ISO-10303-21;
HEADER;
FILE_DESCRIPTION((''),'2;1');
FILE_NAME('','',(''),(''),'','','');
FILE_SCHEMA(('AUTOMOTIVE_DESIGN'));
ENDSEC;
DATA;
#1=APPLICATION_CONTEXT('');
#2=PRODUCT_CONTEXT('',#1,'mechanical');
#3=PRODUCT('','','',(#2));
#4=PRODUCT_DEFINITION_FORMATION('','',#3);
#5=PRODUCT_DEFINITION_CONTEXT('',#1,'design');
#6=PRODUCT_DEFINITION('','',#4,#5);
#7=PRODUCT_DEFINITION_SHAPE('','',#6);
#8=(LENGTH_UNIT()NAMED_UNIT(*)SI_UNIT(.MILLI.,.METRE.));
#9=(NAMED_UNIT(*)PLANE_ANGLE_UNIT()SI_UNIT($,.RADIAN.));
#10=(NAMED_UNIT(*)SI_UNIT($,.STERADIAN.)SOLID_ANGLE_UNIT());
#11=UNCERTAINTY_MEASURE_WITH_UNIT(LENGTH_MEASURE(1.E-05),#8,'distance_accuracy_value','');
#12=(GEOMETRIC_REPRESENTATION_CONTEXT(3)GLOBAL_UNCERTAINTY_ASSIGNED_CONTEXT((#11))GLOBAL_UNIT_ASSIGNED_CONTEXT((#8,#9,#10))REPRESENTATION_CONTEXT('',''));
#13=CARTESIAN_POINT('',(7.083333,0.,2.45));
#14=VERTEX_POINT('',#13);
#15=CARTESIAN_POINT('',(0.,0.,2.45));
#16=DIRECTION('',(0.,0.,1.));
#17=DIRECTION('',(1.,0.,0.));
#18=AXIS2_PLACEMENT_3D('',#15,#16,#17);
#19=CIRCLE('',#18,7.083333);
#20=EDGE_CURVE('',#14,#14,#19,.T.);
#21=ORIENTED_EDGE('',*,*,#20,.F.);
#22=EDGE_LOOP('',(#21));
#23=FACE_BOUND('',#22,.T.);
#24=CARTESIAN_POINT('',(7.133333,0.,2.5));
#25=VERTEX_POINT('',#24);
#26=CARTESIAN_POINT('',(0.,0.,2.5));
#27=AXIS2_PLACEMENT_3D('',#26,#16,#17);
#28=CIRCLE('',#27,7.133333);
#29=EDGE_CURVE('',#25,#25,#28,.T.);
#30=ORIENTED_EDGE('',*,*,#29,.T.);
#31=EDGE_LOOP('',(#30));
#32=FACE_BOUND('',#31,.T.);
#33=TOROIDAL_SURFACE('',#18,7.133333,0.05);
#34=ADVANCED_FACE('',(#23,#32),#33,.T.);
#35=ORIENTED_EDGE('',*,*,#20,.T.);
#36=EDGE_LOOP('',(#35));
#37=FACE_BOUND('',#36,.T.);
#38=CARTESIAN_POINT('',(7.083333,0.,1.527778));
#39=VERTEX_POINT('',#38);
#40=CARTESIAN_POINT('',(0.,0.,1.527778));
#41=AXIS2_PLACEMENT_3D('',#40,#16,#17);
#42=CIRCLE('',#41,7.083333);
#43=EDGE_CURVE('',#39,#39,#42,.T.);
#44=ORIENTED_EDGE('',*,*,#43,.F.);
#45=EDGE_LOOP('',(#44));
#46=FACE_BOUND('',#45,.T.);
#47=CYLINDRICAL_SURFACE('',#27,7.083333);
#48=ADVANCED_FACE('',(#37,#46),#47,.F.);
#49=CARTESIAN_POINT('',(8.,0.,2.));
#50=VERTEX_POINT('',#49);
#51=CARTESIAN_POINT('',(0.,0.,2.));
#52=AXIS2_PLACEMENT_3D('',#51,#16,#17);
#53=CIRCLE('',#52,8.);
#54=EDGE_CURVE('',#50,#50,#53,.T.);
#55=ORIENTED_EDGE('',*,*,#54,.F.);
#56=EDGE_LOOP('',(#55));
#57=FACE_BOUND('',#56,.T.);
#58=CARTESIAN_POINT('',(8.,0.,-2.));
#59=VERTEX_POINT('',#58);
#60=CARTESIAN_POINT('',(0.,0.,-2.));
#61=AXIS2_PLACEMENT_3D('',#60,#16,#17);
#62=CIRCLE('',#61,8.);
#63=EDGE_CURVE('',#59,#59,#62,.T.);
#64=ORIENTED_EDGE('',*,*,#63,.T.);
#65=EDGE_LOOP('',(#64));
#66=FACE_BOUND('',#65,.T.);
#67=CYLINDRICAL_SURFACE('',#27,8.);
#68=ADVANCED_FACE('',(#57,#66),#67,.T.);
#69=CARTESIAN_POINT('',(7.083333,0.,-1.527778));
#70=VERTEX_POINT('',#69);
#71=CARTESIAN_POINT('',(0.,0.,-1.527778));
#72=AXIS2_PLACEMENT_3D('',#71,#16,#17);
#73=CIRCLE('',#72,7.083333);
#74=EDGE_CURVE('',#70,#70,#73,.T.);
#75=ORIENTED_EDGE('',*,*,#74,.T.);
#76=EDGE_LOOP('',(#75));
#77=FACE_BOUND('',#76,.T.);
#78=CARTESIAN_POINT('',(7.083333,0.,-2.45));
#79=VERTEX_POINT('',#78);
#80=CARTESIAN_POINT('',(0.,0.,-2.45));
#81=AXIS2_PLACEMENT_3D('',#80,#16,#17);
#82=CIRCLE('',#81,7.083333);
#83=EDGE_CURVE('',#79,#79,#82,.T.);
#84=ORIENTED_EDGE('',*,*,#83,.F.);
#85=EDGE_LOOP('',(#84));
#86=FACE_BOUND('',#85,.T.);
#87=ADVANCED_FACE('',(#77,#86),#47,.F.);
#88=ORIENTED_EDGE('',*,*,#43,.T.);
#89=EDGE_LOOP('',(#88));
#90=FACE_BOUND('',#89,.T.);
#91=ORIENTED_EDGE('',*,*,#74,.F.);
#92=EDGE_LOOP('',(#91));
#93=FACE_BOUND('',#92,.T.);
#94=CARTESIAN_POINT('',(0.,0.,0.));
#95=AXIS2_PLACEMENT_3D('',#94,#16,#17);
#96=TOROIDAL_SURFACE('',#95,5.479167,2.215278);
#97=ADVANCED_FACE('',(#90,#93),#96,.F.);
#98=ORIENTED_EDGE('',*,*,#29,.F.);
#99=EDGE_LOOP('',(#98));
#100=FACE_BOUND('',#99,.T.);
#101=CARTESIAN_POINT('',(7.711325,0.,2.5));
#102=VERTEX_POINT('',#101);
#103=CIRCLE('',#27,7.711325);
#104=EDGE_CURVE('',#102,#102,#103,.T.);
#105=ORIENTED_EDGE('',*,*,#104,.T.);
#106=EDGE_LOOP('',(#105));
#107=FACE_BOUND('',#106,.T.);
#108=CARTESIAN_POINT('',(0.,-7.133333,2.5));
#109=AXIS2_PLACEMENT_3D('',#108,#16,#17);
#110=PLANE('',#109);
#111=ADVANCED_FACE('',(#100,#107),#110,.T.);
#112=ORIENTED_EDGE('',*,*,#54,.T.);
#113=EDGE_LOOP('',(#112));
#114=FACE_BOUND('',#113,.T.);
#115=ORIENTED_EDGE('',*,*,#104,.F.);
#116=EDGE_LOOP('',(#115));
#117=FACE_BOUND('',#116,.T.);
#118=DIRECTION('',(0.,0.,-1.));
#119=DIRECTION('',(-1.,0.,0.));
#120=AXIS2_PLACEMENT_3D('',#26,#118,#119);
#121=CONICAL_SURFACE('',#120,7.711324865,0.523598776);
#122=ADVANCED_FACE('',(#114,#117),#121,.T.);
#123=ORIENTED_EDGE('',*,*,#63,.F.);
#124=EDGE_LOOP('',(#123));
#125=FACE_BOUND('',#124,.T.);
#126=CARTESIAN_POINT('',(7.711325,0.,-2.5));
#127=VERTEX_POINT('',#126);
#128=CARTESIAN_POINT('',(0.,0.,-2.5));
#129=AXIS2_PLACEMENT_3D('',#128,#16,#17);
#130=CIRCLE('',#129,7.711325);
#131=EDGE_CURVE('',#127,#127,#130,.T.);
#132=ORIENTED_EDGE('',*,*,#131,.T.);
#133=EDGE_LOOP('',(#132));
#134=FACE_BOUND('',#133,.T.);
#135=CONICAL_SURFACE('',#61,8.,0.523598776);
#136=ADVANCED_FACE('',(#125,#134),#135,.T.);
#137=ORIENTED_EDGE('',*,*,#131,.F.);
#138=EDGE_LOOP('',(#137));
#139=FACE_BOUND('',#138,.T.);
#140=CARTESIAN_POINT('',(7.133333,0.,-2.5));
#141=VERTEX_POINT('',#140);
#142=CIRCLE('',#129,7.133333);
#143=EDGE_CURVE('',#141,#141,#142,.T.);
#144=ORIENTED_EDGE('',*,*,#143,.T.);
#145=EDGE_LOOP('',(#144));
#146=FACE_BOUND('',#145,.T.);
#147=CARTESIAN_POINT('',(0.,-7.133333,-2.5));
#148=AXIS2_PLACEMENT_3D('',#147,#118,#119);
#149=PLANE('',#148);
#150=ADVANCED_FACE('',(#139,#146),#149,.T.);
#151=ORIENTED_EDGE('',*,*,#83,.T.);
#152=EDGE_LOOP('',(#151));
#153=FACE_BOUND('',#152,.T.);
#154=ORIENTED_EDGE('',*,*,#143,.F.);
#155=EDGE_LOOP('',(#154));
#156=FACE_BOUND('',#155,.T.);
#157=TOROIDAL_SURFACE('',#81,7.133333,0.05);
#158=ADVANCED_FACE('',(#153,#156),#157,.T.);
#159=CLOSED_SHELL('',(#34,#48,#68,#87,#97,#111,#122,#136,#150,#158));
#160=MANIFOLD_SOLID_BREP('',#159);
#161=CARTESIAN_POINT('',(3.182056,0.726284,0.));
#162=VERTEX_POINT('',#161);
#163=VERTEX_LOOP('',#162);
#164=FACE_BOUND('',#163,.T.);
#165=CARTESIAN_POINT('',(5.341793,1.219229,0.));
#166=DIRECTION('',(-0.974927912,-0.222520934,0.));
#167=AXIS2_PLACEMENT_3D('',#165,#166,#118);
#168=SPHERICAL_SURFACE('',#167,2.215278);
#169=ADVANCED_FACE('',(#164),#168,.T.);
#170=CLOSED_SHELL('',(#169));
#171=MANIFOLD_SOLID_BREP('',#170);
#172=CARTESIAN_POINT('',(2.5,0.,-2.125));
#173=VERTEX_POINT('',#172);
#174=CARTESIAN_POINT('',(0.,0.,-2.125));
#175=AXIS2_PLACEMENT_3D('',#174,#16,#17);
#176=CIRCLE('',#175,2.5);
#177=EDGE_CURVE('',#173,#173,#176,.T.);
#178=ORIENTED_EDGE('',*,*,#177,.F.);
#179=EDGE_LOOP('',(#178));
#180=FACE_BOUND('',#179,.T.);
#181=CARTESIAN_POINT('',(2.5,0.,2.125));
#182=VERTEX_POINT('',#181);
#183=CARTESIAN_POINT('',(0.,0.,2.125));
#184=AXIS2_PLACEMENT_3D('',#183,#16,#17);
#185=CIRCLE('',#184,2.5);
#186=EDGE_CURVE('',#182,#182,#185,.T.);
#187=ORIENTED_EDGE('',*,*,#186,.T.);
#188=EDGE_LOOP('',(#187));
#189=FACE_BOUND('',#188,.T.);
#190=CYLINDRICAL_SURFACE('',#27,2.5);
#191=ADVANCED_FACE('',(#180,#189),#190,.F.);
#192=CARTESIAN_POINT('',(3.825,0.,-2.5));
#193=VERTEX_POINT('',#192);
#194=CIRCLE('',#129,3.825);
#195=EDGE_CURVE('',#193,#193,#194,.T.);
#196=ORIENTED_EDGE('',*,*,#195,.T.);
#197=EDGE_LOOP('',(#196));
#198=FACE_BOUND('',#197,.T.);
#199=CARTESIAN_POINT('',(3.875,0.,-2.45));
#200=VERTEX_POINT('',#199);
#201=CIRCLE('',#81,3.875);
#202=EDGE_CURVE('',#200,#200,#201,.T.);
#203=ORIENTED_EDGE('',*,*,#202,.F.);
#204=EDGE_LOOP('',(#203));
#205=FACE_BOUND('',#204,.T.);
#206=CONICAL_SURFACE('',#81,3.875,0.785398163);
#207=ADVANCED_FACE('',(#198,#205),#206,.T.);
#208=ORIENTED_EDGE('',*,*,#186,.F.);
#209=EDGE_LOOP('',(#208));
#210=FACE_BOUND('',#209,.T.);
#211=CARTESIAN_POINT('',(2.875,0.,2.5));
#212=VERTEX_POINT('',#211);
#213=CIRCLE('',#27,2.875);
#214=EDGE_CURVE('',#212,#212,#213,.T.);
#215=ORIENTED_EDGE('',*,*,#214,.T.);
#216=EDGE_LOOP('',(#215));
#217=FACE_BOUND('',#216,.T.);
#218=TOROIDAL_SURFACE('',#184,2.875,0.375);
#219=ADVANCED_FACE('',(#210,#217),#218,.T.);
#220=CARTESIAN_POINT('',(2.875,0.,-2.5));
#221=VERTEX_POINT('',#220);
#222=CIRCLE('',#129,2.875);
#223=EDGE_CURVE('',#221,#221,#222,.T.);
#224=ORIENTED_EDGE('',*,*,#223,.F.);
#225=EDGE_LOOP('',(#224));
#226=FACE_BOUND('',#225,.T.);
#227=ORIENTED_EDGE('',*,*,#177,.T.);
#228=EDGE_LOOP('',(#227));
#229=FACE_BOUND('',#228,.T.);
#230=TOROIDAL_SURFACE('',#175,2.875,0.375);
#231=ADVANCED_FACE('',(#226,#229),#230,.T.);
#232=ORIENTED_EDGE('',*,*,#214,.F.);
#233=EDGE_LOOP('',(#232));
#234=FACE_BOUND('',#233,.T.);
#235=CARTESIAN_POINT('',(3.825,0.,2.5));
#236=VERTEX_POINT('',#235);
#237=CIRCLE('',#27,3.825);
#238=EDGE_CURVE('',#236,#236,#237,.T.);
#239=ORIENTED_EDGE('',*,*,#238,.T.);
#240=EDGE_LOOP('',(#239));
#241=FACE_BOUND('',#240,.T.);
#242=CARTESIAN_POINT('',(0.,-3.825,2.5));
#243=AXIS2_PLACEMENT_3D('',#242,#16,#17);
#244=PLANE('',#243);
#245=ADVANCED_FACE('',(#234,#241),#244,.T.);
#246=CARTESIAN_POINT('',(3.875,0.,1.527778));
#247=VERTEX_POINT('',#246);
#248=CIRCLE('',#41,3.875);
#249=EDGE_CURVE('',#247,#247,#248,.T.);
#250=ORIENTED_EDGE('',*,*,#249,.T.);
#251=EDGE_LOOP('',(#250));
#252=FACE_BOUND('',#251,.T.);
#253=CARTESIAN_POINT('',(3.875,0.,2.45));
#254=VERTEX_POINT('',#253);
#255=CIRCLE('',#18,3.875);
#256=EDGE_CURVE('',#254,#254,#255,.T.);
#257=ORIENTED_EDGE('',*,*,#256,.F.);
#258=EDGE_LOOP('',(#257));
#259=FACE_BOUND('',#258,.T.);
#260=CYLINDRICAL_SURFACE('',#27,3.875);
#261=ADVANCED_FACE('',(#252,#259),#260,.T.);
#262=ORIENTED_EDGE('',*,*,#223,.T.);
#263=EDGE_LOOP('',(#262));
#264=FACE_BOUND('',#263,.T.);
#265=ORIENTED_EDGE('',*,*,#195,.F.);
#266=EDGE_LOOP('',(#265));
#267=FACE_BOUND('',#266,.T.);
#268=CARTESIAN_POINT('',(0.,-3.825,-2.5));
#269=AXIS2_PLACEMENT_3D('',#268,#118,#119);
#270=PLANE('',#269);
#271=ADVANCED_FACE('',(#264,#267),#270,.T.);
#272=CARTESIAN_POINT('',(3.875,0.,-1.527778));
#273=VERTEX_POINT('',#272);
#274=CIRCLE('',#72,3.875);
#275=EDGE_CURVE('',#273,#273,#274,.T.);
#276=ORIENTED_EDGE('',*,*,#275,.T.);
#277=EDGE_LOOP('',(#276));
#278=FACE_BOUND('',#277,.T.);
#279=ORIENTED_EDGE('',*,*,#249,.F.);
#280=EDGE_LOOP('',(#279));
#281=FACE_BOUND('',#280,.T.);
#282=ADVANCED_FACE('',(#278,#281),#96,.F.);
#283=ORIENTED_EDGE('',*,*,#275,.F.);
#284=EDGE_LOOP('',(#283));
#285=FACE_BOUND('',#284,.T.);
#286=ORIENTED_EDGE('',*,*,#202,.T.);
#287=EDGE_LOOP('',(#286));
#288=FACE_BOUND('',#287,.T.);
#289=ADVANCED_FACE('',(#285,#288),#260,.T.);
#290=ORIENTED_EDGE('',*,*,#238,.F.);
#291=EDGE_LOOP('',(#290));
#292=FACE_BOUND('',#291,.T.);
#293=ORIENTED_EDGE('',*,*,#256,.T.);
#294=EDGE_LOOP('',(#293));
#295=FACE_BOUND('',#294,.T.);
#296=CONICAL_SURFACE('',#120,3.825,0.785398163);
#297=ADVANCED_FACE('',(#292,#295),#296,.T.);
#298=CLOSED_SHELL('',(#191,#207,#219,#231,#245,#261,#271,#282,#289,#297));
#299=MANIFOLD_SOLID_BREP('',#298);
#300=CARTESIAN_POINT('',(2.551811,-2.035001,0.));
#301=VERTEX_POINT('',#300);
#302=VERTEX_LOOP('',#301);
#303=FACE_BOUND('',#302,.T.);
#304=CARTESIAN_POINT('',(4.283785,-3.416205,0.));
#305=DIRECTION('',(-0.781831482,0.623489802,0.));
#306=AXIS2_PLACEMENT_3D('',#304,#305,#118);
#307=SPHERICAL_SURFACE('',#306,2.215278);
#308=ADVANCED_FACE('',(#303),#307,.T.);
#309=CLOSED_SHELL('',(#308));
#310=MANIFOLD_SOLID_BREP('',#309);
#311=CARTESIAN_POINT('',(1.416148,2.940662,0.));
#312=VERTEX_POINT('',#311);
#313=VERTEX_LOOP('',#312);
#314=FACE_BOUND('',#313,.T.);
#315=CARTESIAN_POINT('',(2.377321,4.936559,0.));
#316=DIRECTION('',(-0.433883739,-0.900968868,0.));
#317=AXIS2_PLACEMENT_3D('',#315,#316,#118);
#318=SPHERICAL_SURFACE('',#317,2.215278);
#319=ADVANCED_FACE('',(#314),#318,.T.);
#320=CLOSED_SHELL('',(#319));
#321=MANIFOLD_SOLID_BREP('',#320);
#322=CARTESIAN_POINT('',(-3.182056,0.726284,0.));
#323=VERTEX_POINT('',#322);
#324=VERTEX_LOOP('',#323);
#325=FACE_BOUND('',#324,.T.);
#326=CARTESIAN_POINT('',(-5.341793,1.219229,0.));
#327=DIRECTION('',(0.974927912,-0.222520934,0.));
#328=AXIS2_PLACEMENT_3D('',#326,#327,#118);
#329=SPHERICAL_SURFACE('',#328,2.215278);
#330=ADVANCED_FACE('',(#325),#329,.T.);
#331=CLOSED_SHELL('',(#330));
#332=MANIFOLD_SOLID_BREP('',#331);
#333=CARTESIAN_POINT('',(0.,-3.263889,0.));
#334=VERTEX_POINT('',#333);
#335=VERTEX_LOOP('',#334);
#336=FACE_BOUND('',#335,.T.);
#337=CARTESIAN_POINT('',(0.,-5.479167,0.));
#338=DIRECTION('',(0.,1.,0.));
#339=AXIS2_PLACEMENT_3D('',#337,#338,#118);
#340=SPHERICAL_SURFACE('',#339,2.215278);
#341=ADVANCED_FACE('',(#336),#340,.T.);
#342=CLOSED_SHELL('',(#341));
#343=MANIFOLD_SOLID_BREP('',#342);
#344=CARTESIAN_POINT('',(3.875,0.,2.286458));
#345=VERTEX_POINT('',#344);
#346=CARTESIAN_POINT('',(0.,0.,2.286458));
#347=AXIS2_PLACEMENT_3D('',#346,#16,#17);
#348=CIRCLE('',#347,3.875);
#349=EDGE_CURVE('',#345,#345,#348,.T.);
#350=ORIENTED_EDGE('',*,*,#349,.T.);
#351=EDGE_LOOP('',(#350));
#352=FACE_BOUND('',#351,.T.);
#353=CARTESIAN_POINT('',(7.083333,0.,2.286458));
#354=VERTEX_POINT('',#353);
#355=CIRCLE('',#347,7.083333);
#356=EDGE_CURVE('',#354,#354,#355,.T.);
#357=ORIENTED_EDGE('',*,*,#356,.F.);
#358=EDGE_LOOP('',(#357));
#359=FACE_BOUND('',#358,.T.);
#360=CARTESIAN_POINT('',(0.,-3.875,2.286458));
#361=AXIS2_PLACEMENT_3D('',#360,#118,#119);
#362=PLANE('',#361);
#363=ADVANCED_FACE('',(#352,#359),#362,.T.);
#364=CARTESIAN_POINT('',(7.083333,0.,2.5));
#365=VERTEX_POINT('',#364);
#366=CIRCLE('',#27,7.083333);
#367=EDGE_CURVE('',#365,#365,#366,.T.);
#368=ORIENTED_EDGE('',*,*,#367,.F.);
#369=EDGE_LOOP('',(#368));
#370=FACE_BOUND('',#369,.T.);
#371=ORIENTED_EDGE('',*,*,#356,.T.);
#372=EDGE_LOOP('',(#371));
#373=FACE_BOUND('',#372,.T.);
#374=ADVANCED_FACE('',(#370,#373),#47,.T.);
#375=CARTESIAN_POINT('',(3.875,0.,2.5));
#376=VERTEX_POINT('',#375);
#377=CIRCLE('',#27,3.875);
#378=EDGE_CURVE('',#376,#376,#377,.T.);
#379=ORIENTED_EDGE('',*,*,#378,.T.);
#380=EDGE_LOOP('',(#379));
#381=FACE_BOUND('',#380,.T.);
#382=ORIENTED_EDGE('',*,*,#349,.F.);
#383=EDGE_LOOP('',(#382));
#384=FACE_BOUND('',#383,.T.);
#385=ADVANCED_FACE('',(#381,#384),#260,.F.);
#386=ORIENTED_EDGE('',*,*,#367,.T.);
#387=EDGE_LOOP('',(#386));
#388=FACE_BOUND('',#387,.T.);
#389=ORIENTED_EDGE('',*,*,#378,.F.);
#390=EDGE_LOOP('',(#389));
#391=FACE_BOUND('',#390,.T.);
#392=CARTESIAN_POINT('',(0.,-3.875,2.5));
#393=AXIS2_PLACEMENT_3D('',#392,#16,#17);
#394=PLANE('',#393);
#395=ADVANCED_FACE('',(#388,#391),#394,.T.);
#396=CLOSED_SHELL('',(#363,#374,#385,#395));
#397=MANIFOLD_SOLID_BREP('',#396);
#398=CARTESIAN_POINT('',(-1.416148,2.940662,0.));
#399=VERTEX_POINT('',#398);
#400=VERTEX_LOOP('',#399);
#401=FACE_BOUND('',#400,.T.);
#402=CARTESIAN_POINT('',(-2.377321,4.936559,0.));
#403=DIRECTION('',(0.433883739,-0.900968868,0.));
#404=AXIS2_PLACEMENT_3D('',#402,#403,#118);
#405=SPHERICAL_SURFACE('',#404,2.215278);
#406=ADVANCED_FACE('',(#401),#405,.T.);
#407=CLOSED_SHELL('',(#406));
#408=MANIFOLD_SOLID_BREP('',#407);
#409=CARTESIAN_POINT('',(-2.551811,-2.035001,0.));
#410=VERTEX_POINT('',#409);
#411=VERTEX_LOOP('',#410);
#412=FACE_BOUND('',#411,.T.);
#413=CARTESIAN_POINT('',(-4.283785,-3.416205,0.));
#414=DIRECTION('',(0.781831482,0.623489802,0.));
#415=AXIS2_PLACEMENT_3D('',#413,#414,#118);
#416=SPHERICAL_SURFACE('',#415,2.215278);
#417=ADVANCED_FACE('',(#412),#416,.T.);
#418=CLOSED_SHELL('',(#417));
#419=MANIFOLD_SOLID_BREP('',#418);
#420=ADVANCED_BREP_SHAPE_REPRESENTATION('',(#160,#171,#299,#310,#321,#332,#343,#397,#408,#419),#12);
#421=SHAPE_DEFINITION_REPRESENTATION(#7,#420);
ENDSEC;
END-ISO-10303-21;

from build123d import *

# Parameters (mm, degrees)
SKETCH4_W         = 0.213541667
SKETCH4_H         = 3.208333333
CIRPATTERN1_COUNT = 7


with BuildPart() as part:
    # Sketch3 → Revolve1 (revolve)
    with BuildSketch(Plane(origin=(0, 0, 0), x_dir=(0, 0, -1), z_dir=(1, 0, 0))):
        with BuildLine():
            Line((-2, -8), (2, -8))
            Line((2, -8), (2.5, -7.711324865))
            Line((2.5, -7.711324865), (2.5, -7.133333333))
            ThreePointArc((2.5, -7.133333333), (2.485355339, -7.097977994), (2.45, -7.083333333))
            Line((2.45, -7.083333333), (1.527777778, -7.083333333))
            ThreePointArc((1.527777778, -7.083333333), (0, -7.694444444), (-1.527777778, -7.083333333))
            Line((-1.527777778, -7.083333333), (-2.45, -7.083333333))
            ThreePointArc((-2.45, -7.083333333), (-2.485355339, -7.097977994), (-2.5, -7.133333333))
            Line((-2.5, -7.133333333), (-2.5, -7.711324865))
            Line((-2.5, -7.711324865), (-2, -8))
        make_face()
        with BuildLine():
            Line((-2.125, -2.5), (2.125, -2.5))
            ThreePointArc((2.125, -2.5), (2.390165043, -2.609834957), (2.5, -2.875))
            Line((2.5, -2.875), (2.5, -3.825))
            Line((2.5, -3.825), (2.45, -3.875))
            Line((2.45, -3.875), (1.527777778, -3.875))
            ThreePointArc((1.527777778, -3.875), (0, -3.263888889), (-1.527777778, -3.875))
            Line((-1.527777778, -3.875), (-2.45, -3.875))
            Line((-2.45, -3.875), (-2.5, -3.825))
            Line((-2.5, -3.825), (-2.5, -2.875))
            ThreePointArc((-2.5, -2.875), (-2.390165043, -2.609834957), (-2.125, -2.5))
        make_face()
    revolve(axis=Axis((0, 0, 2.5), (0, 0, -1)))


with BuildPart() as body_2:
    # Sketch4 → Revolve2 (revolve)
    with BuildSketch(Plane(origin=(0, 0, 0), x_dir=(0, 0, -1), z_dir=(1, 0, 0))):
        with Locations((-2.393229167, -5.479166667)):
            Rectangle(SKETCH4_W, SKETCH4_H)
    revolve(axis=Axis((0, 0, 2.5), (0, 0, -1)))


with BuildPart() as body_3:
    # Sketch5 → Revolve3 (revolve)
    with BuildSketch(Plane(origin=(0, 0, 0), x_dir=(0, 0, -1), z_dir=(1, 0, 0))):
        with BuildLine():
            Line((0, -3.263888889), (0, -7.694444444))
            ThreePointArc((0, -7.694444444), (-2.215277778, -5.479166667), (0, -3.263888889))
        make_face()
    revolve(axis=Axis((0, 0, 0), (0, -1, 0)))


with BuildPart() as cirpattern1_1:
    # CirPattern1: pattern copy
    add(body_3.part.rotate(Axis((0, 0, 2.5), (0, 0, -1)), 1 * 360 / CIRPATTERN1_COUNT))


with BuildPart() as cirpattern1_2:
    # CirPattern1: pattern copy
    add(body_3.part.rotate(Axis((0, 0, 2.5), (0, 0, -1)), 2 * 360 / CIRPATTERN1_COUNT))


with BuildPart() as cirpattern1_3:
    # CirPattern1: pattern copy
    add(body_3.part.rotate(Axis((0, 0, 2.5), (0, 0, -1)), 3 * 360 / CIRPATTERN1_COUNT))


with BuildPart() as cirpattern1_4:
    # CirPattern1: pattern copy
    add(body_3.part.rotate(Axis((0, 0, 2.5), (0, 0, -1)), 4 * 360 / CIRPATTERN1_COUNT))


with BuildPart() as cirpattern1_5:
    # CirPattern1: pattern copy
    add(body_3.part.rotate(Axis((0, 0, 2.5), (0, 0, -1)), 5 * 360 / CIRPATTERN1_COUNT))


with BuildPart() as cirpattern1_6:
    # CirPattern1: pattern copy
    add(body_3.part.rotate(Axis((0, 0, 2.5), (0, 0, -1)), 6 * 360 / CIRPATTERN1_COUNT))


solid = Compound([part.part, body_2.part, body_3.part, cirpattern1_1.part, cirpattern1_2.part, cirpattern1_3.part, cirpattern1_4.part, cirpattern1_5.part, cirpattern1_6.part])
